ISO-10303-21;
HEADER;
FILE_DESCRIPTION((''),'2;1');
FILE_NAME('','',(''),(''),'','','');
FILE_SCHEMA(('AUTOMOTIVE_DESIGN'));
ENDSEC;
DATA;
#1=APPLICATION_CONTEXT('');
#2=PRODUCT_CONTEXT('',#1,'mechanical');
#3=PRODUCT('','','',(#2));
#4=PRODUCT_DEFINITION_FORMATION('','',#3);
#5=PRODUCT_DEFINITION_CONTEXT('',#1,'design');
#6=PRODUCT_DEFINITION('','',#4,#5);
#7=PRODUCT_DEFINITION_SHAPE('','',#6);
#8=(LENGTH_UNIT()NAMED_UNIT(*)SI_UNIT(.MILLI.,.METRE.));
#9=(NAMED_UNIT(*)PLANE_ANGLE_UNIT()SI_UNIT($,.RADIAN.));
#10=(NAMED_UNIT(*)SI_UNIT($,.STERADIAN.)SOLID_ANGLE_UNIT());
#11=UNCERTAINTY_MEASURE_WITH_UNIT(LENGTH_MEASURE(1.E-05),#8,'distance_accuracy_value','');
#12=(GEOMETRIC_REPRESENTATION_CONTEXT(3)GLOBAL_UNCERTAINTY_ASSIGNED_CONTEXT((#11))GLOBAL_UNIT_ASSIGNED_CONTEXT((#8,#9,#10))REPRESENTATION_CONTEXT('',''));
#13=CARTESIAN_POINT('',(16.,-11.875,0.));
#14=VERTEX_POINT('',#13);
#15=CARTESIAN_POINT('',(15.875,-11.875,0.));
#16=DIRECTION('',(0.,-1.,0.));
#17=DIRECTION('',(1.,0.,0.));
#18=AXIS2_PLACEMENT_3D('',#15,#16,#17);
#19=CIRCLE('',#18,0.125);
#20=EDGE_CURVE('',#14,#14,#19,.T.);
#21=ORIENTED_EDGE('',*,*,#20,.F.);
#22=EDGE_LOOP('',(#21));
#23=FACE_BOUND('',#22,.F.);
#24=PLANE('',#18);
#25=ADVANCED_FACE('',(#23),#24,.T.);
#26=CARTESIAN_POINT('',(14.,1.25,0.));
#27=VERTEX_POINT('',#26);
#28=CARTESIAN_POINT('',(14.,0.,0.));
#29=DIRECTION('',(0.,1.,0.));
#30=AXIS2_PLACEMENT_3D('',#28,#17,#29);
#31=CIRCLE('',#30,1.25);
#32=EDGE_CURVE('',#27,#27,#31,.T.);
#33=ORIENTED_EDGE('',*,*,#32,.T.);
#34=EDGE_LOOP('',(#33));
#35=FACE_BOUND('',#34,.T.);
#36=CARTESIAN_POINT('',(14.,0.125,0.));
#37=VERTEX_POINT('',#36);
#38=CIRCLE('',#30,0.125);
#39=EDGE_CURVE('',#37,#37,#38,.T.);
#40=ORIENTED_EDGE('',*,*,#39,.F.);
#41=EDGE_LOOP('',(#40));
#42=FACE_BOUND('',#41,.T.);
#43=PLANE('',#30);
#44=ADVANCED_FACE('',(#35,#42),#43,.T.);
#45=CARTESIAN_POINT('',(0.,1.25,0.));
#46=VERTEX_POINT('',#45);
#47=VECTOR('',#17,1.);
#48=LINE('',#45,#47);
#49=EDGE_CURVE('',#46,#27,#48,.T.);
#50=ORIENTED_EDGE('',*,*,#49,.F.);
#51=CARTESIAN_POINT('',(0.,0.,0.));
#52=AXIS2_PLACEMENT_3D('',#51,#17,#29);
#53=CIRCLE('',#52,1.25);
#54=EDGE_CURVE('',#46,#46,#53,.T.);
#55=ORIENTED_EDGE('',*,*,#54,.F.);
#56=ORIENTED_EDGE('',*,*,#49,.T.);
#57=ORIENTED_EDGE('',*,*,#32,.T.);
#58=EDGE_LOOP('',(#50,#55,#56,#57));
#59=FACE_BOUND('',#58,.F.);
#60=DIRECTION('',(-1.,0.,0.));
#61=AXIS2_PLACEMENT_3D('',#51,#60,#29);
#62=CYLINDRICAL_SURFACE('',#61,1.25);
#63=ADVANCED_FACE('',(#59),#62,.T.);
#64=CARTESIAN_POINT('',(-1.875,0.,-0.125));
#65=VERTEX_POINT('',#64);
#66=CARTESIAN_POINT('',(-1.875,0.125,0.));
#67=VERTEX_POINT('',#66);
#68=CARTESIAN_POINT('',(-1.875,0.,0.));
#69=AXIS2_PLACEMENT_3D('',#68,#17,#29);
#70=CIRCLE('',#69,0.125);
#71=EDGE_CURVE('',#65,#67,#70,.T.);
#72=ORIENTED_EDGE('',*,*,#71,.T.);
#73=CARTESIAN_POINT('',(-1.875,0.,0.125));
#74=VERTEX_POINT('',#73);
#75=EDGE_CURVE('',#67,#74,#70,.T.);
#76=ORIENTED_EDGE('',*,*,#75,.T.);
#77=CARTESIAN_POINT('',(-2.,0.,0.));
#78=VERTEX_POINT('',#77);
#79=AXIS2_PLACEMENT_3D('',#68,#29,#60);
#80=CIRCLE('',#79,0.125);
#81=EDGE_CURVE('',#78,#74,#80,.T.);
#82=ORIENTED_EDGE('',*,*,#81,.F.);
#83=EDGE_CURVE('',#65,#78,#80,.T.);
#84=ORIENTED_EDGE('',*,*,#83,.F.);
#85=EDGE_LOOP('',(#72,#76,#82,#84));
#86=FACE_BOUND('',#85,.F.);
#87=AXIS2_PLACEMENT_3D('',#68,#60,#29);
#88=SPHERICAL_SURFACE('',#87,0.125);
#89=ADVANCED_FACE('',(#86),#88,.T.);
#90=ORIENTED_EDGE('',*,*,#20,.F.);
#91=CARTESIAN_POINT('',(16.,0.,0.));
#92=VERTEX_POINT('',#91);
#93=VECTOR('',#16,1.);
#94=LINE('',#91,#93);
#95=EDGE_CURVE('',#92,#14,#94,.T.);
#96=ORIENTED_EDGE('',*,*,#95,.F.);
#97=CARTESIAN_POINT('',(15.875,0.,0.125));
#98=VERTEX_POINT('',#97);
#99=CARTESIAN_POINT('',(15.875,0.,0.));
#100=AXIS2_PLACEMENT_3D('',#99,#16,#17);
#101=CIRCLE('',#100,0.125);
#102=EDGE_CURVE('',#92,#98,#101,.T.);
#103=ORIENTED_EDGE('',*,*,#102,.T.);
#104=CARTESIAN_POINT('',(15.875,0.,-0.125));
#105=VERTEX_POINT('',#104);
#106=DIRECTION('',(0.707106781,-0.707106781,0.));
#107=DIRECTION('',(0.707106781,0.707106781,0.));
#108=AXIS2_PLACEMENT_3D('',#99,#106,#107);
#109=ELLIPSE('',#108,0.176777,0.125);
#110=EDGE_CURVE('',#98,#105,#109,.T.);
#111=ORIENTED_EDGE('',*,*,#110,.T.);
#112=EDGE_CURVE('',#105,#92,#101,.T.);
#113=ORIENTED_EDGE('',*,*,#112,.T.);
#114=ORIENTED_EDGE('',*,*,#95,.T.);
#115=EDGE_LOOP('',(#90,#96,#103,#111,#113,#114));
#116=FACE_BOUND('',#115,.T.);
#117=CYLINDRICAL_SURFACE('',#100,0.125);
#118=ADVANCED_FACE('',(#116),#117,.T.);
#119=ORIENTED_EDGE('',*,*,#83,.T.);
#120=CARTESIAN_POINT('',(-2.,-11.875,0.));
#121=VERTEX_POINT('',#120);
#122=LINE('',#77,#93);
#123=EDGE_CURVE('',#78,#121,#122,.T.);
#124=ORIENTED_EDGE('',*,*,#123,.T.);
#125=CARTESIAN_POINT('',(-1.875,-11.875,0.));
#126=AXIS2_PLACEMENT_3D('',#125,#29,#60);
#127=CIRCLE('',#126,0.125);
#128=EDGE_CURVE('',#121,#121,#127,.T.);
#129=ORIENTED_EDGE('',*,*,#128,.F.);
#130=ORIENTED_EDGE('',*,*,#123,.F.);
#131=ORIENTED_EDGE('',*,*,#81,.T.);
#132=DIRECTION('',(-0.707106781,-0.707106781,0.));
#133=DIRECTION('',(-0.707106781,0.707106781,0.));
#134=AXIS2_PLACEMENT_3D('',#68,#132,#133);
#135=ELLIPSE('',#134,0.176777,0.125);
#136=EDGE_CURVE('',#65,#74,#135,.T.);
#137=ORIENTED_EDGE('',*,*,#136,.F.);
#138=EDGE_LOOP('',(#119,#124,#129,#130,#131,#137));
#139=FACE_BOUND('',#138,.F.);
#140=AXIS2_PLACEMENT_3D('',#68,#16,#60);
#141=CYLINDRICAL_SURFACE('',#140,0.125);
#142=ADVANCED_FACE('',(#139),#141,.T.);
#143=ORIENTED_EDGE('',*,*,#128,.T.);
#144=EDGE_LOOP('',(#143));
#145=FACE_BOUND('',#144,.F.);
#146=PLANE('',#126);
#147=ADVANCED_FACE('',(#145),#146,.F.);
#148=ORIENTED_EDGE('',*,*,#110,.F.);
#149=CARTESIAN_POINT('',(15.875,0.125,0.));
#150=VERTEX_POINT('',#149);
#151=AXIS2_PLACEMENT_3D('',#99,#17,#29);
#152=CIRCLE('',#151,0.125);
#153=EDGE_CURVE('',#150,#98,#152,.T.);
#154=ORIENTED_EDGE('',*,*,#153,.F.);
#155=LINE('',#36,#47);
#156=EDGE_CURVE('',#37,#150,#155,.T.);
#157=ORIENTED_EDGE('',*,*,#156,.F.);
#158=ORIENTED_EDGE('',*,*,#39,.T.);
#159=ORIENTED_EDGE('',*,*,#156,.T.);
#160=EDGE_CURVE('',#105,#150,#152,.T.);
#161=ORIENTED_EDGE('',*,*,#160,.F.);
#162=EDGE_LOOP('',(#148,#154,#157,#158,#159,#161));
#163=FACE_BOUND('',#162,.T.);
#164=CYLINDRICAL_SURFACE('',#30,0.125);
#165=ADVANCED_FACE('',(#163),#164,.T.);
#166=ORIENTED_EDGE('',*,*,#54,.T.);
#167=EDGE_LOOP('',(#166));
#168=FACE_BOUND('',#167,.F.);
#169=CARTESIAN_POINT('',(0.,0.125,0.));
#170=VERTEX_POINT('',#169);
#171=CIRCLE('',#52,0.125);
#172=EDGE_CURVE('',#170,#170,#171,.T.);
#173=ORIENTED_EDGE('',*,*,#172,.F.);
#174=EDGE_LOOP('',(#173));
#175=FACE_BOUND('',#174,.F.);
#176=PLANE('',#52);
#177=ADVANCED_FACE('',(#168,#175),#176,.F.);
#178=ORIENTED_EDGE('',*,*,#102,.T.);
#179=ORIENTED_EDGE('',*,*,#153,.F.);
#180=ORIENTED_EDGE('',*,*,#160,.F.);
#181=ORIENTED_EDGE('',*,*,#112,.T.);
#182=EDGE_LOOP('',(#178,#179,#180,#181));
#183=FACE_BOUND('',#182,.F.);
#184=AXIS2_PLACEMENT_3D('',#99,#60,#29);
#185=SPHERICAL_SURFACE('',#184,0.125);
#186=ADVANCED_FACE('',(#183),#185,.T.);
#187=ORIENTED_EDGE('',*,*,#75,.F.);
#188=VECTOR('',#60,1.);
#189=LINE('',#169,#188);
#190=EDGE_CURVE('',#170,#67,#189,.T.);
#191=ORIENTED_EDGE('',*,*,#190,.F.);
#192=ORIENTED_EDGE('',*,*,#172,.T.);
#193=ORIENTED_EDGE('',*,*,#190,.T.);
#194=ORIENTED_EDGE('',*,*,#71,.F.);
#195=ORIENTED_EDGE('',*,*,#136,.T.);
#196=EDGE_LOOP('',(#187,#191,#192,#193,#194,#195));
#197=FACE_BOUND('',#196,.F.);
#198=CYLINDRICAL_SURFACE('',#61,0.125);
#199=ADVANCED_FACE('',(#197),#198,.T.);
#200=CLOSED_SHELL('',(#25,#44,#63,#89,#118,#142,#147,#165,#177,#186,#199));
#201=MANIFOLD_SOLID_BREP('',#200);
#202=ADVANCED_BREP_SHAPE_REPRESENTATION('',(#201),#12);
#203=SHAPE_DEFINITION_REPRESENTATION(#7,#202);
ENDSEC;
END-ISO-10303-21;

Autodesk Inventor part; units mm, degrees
ref_plane "YZ Plane" through (0, 0, 0) normal (1, 0, 0) x (0, 1, 0)
ref_plane "XZ Plane" through (0, 0, 0) normal (0, 1, 0) x (-1, 0, 0)
ref_plane "XY Plane" through (0, 0, 0) normal (0, 0, 1) x (1, 0, 0)
sketch "Sketch2" plane through (0, 0, 0) normal (1, 0, 0) x (0, 1, 0)
  circle A0 centre (0, 0) radius 1.25
  dimension "d8" = 2.5
extrude "Extrusion1" add sketch "Sketch2" along normal blind 14
sketch "Sketch6" plane through (0, 0, 0) normal (0, 0, 1) x (1, 0, 0)
  line L0 (14, -1.25) -> (14, 1.25) projected
  line L1 (14, 0) -> (14, 0.125)
  line L2 (14, 0.125) -> (15.875, 0.125)
  line L3 (16, 0) -> (16, -11.875)
  line L4 (14, 0) -> (15.875, 0)
  line L5 (15.875, 0) -> (15.875, -11.875)
  line L6 (15.875, -11.875) -> (16, -11.875)
  line L7 (15.875, 0) -> (16, 0)
  line L8 (17.9417, 0) -> (15.75, 0)
  arc A0 (15.875, -0.125) -> (15.75, 0) centre (15.75, -0.125) ccw
  line L9 (15.75, 0) -> (16, 0)
  line L10 (0, 0) -> (0, 0.125)
  line L11 (0, 0.125) -> (-1.875, 0.125)
  line L12 (-2, 0) -> (-2, -11.875)
  line L13 (-2, -11.875) -> (-1.875, -11.875)
  line L14 (-1.875, -11.875) -> (-1.875, -0.125)
  line L15 (-1.75, 0) -> (0, 0)
  arc A1 (-1.875, 0.125) -> (-2, 0) centre (-1.875, 0) ccw
  arc A2 (-1.75, 0) -> (-1.875, -0.125) centre (-1.75, -0.125) ccw
  line L16 (-1.75, 0) -> (-2, 0)
  line L17 (-1.875, -0.125) -> (-1.875, 0)
  arc A3 (16, 0) -> (15.875, 0.125) centre (15.875, 0) ccw
  point P0 (16, 0.125)
  point P1 (18.875, 0.125)
  point P2 (-2, 0.125)
  point P3 (-1.875, 0)
  dimension "d16" = 0.125
  dimension "d17" = 2
  dimension "d18" = 12
  dimension "d19" = 1.875
  dimension "d26" = 0.125
  dimension "d27" = 2
  dimension "d28" = 0.125
  dimension "d29" = 0.125
  dimension "d30" = 0.125
  dimension "d33" = 0.125
  dimension "d35" = 12
revolve "Revolution2" add sketch "Sketch6" angle 360 about axis through (14, 0, 0) along (1, 0, 0) contours L0 L2 A3 L7 L4
revolve "Revolution3" add sketch "Sketch6" angle 360 about axis through (15.875, 0, 0) along (0, -1, 0) contours L7 L3 L6 L5
revolve "Revolution4" add sketch "Sketch6" angle 360 about axis through (-1.75, 0, 0) along (1, 0, 0) contours L15 L16 A1 L11 L10
revolve "Revolution5" add sketch "Sketch6" angle 360 about axis through (-1.875, -11.875, 0) along (0, 1, 0) contours L14 L13 L12 L16 L17
equation "\"d27\" = d17"
equation "\"d35\" = d18"
properties part number "Reed Switch Puerta Derecha" material "Aluminum 6061"
